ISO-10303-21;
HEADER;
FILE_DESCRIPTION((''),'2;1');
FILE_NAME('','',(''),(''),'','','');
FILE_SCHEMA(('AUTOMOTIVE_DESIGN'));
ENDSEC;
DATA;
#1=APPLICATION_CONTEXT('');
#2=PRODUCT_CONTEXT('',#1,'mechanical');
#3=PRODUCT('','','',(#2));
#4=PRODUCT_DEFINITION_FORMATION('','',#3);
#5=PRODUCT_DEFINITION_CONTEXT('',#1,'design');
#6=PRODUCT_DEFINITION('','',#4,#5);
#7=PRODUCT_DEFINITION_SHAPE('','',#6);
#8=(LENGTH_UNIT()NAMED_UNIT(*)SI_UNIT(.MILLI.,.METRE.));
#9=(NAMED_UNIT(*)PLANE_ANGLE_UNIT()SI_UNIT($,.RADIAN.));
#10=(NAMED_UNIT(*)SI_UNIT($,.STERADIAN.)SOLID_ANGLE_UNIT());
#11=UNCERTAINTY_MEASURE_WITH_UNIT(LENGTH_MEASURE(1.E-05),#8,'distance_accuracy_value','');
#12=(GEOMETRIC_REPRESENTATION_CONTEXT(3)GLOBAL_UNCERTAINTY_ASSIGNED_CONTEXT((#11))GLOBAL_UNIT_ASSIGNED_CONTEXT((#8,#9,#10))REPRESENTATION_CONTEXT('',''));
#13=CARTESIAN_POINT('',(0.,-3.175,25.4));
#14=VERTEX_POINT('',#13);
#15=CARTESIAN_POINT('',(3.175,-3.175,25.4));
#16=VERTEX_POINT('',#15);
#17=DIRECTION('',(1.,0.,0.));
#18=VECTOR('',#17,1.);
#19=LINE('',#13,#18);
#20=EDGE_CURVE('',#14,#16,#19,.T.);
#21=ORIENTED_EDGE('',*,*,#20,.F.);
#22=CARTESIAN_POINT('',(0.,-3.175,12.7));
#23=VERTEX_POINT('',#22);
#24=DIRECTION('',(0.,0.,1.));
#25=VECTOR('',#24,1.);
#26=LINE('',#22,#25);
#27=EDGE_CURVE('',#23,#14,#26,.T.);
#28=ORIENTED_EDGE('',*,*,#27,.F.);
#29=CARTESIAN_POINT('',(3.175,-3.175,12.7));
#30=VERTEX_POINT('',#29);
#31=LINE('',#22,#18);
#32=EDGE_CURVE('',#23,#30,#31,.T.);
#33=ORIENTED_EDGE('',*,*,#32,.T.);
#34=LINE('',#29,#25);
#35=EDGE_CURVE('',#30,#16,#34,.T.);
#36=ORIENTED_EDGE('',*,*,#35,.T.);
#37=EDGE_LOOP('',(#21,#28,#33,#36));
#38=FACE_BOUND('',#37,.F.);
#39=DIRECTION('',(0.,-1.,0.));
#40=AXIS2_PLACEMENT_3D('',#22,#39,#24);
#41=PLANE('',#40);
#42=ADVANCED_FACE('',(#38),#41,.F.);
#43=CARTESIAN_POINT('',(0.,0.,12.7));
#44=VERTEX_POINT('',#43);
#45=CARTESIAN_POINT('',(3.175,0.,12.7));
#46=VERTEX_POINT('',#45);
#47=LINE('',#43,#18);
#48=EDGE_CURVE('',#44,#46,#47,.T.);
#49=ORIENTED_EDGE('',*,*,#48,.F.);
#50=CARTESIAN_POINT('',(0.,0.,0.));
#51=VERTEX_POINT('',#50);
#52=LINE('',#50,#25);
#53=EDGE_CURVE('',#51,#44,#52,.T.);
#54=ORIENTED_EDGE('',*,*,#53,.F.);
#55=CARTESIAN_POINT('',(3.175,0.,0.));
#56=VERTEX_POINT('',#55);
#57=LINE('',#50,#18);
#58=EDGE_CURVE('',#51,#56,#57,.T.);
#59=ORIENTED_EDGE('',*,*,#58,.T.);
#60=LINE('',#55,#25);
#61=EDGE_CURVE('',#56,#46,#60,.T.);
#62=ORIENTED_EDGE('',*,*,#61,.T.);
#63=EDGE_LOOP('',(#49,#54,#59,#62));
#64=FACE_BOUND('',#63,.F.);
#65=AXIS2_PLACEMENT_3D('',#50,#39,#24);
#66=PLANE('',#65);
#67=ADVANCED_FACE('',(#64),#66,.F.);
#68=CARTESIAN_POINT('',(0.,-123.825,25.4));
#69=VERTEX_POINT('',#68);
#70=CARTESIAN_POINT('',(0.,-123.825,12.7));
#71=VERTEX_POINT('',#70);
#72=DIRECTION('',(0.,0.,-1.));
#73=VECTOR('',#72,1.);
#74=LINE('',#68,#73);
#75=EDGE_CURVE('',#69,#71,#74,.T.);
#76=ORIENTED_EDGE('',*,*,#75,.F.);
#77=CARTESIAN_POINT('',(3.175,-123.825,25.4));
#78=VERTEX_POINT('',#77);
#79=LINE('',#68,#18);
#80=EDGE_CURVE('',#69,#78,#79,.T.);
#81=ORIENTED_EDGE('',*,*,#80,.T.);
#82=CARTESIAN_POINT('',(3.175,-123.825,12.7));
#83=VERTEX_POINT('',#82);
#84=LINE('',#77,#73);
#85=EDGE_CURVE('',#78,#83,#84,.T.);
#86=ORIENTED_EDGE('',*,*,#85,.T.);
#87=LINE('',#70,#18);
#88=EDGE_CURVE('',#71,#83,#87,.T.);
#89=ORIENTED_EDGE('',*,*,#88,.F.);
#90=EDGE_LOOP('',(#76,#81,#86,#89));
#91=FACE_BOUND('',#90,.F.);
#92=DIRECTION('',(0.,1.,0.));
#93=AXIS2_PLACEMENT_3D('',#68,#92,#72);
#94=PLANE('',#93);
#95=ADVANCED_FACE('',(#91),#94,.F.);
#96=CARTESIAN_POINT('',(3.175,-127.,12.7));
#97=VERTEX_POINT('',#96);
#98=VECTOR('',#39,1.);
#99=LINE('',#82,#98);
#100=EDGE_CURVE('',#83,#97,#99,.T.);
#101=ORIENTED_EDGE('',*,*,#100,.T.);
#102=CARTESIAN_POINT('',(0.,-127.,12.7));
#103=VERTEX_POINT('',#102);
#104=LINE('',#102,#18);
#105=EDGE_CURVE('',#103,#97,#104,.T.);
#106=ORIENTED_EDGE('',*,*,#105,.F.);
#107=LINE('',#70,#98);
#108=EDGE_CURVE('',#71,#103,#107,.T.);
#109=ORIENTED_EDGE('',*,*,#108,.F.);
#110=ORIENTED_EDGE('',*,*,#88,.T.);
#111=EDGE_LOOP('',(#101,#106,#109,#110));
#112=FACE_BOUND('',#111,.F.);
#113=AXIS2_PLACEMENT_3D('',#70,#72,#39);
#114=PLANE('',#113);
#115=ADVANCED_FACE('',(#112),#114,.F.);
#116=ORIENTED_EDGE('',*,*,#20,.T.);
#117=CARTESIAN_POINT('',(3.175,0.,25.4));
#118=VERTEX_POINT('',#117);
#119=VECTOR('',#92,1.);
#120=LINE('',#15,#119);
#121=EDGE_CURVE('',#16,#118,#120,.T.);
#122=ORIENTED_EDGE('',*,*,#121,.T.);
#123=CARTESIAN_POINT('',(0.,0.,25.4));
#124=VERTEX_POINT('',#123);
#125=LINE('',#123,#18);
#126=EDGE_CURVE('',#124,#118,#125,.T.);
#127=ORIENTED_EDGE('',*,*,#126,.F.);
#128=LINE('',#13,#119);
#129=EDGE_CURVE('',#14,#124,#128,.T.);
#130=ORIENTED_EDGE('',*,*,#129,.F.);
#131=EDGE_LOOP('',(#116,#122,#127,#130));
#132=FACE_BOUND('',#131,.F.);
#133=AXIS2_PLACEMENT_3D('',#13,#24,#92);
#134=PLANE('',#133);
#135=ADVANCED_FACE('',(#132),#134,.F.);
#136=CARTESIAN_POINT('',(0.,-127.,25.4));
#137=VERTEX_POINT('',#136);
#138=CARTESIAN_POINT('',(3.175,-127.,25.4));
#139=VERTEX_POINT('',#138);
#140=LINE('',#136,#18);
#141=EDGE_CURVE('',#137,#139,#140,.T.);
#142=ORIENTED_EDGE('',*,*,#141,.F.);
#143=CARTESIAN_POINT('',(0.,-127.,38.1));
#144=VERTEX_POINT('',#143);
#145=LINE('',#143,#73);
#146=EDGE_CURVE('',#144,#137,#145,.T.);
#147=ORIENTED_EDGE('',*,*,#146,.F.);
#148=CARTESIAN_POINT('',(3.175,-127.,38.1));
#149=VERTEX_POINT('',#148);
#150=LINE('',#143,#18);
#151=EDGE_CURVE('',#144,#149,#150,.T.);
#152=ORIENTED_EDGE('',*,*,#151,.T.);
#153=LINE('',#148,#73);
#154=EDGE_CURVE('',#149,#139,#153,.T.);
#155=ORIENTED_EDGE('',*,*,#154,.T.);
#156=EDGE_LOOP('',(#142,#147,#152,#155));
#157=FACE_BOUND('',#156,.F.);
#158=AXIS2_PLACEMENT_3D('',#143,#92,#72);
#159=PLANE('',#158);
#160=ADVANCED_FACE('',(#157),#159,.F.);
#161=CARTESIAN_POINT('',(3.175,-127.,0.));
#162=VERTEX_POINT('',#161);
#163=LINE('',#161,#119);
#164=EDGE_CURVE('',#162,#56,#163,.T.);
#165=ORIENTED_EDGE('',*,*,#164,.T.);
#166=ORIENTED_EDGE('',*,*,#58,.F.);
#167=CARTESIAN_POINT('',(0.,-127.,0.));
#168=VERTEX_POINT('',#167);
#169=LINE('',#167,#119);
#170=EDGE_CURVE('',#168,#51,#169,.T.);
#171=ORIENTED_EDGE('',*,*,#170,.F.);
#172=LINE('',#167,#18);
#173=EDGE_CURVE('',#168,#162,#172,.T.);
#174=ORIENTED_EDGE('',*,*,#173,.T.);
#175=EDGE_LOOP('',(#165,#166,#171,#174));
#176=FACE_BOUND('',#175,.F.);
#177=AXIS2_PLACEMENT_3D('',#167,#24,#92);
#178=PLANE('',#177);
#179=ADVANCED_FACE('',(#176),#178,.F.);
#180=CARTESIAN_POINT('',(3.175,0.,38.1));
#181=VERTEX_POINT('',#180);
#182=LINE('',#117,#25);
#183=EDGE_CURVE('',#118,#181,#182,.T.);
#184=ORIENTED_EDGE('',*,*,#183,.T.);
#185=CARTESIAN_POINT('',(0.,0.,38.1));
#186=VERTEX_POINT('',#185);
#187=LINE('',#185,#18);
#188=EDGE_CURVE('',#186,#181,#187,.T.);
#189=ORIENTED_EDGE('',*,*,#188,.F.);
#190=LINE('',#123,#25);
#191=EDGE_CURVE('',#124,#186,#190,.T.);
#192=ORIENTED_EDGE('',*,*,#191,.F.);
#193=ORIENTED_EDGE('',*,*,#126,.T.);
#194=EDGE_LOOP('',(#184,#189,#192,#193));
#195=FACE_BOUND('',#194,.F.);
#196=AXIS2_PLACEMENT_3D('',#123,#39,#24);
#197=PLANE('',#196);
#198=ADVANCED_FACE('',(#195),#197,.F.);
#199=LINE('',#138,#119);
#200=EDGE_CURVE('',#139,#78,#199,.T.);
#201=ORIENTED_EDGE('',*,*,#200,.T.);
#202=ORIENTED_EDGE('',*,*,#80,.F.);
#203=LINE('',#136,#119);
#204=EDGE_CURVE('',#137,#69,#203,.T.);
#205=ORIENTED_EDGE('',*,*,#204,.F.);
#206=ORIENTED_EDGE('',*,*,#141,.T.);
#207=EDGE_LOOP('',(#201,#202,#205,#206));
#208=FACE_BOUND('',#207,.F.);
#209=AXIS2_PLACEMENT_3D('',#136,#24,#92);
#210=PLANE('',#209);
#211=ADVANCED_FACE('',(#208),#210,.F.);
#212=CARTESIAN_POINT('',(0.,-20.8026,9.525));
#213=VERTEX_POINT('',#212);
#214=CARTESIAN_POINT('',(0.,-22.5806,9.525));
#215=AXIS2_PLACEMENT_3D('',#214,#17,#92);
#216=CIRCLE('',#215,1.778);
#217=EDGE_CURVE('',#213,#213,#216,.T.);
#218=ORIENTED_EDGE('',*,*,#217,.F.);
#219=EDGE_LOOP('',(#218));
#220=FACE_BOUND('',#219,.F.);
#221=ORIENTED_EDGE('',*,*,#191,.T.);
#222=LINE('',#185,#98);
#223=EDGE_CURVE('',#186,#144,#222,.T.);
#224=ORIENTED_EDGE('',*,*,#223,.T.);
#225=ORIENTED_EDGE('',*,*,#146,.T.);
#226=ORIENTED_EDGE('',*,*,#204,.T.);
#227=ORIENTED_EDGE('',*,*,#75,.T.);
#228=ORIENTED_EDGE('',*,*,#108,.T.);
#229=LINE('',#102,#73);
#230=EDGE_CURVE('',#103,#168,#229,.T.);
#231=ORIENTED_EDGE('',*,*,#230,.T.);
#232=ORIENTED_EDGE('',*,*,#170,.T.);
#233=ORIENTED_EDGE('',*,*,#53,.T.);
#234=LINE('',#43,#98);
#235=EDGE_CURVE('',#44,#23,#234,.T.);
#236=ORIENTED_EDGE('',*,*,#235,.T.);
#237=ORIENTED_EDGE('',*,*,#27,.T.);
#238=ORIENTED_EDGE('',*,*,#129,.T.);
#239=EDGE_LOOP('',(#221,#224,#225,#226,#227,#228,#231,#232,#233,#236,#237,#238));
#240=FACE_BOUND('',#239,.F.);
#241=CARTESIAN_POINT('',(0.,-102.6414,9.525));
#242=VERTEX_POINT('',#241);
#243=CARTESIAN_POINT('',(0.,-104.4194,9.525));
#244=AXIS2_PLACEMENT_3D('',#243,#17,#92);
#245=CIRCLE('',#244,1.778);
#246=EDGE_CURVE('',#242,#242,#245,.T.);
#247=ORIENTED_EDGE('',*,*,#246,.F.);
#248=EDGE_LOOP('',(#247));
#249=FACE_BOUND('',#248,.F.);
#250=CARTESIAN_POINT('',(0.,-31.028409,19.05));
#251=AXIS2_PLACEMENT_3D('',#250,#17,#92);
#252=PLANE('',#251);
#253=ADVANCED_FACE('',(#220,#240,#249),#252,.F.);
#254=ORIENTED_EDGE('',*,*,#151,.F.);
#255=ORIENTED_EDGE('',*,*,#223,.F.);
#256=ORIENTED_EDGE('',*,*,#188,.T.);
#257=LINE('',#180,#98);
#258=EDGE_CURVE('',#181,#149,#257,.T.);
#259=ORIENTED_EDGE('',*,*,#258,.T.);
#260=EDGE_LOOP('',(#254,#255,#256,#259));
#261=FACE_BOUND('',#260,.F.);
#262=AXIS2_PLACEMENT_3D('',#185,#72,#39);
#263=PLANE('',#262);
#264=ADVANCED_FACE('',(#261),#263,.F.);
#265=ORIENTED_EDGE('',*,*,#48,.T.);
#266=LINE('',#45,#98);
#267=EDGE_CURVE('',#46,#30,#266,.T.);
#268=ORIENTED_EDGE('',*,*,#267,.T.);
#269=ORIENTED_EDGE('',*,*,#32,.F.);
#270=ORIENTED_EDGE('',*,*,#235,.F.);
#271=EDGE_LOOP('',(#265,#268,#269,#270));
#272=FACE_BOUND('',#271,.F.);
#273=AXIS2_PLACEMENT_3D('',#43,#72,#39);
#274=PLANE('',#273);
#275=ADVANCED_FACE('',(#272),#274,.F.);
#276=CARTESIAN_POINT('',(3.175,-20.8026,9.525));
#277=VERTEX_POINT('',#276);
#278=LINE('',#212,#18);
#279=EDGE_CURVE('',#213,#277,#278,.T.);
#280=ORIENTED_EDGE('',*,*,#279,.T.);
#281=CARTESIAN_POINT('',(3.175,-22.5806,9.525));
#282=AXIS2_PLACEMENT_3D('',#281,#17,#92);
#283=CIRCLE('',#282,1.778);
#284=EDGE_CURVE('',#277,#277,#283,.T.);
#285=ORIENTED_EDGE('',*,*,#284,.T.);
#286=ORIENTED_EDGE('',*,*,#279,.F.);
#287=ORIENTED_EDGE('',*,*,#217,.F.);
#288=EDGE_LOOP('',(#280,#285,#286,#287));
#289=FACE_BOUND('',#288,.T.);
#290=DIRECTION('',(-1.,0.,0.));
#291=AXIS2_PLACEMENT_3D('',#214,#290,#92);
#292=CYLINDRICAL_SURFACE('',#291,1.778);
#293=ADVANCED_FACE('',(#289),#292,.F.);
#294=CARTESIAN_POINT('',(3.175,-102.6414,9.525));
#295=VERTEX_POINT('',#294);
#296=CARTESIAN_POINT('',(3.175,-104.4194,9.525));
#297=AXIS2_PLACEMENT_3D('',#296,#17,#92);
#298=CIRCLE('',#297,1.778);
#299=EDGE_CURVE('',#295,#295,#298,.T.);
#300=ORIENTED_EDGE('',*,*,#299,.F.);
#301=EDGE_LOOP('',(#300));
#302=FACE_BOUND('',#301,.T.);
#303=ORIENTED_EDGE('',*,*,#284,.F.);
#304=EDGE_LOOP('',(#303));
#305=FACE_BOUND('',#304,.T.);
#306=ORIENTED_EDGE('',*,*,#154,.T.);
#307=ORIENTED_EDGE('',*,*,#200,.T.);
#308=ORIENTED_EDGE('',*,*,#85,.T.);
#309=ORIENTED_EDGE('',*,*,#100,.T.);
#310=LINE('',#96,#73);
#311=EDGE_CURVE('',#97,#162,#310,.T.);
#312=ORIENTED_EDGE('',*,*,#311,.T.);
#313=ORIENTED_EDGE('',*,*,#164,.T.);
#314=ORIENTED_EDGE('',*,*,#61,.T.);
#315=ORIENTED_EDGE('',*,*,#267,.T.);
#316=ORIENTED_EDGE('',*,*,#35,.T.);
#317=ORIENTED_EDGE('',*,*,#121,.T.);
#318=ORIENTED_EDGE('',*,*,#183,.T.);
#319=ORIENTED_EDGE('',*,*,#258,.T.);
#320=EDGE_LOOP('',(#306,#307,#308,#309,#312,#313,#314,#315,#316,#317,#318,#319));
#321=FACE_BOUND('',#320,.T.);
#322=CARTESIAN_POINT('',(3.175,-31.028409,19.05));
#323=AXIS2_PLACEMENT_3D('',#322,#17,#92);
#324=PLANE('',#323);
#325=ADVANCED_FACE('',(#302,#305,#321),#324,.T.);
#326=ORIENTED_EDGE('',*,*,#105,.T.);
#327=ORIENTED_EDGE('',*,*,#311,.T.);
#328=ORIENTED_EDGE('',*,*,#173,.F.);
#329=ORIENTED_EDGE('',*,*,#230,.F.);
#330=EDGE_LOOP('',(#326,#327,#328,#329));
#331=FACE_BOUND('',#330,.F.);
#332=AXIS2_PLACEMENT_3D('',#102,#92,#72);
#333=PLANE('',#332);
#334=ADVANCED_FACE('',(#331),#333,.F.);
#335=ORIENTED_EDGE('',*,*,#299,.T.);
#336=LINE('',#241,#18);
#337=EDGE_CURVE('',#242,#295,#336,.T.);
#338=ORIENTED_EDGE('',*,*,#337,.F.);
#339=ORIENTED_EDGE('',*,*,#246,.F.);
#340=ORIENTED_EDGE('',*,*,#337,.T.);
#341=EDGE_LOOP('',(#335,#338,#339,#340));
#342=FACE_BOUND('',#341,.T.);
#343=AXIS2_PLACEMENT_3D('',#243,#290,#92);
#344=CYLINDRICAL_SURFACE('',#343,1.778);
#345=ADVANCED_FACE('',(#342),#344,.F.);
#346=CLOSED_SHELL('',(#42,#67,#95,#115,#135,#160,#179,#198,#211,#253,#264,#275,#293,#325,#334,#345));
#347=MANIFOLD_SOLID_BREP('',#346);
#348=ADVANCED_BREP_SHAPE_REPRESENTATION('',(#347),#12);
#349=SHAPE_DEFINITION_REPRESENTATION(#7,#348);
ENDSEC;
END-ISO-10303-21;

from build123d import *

# Parameters (mm, degrees)
F0_R     = 1.778
F1_DEPTH = 3.175
F0_W     = 3.175
F0_H     = 12.7
F2_DEPTH = 25.4


with BuildPart() as f1:
    # F0 (on Right) → F1 (new body)
    with BuildSketch(Plane.YZ):
        Polygon((-63.5, 0), (0, 0), (0, 12.7), (-3.175, 12.7), (-3.175, 25.4), (0, 25.4), (0, 38.1), (-63.5, 38.1), align=None)
        with Locations((-22.5806, 9.525)):
            Circle(F0_R, mode=Mode.SUBTRACT)
        Polygon((-127, 0), (-63.5, 0), (-63.5, 38.1), (-127, 38.1), (-127, 25.4), (-123.825, 25.4), (-123.825, 12.7), (-127, 12.7), align=None)
        with Locations((-104.4194, 9.525)):
            Circle(F0_R, mode=Mode.SUBTRACT)
    extrude(amount=F1_DEPTH)

    # F0 (on Right) → F2 (cut)
    with BuildSketch(Plane.YZ):
        with Locations((-1.5875, 19.05)):
            Rectangle(F0_W, F0_H)
        with Locations((-125.4125, 19.05)):
            Rectangle(F0_W, F0_H)
    extrude(amount=-F2_DEPTH, mode=Mode.SUBTRACT)


solid = f1.part
